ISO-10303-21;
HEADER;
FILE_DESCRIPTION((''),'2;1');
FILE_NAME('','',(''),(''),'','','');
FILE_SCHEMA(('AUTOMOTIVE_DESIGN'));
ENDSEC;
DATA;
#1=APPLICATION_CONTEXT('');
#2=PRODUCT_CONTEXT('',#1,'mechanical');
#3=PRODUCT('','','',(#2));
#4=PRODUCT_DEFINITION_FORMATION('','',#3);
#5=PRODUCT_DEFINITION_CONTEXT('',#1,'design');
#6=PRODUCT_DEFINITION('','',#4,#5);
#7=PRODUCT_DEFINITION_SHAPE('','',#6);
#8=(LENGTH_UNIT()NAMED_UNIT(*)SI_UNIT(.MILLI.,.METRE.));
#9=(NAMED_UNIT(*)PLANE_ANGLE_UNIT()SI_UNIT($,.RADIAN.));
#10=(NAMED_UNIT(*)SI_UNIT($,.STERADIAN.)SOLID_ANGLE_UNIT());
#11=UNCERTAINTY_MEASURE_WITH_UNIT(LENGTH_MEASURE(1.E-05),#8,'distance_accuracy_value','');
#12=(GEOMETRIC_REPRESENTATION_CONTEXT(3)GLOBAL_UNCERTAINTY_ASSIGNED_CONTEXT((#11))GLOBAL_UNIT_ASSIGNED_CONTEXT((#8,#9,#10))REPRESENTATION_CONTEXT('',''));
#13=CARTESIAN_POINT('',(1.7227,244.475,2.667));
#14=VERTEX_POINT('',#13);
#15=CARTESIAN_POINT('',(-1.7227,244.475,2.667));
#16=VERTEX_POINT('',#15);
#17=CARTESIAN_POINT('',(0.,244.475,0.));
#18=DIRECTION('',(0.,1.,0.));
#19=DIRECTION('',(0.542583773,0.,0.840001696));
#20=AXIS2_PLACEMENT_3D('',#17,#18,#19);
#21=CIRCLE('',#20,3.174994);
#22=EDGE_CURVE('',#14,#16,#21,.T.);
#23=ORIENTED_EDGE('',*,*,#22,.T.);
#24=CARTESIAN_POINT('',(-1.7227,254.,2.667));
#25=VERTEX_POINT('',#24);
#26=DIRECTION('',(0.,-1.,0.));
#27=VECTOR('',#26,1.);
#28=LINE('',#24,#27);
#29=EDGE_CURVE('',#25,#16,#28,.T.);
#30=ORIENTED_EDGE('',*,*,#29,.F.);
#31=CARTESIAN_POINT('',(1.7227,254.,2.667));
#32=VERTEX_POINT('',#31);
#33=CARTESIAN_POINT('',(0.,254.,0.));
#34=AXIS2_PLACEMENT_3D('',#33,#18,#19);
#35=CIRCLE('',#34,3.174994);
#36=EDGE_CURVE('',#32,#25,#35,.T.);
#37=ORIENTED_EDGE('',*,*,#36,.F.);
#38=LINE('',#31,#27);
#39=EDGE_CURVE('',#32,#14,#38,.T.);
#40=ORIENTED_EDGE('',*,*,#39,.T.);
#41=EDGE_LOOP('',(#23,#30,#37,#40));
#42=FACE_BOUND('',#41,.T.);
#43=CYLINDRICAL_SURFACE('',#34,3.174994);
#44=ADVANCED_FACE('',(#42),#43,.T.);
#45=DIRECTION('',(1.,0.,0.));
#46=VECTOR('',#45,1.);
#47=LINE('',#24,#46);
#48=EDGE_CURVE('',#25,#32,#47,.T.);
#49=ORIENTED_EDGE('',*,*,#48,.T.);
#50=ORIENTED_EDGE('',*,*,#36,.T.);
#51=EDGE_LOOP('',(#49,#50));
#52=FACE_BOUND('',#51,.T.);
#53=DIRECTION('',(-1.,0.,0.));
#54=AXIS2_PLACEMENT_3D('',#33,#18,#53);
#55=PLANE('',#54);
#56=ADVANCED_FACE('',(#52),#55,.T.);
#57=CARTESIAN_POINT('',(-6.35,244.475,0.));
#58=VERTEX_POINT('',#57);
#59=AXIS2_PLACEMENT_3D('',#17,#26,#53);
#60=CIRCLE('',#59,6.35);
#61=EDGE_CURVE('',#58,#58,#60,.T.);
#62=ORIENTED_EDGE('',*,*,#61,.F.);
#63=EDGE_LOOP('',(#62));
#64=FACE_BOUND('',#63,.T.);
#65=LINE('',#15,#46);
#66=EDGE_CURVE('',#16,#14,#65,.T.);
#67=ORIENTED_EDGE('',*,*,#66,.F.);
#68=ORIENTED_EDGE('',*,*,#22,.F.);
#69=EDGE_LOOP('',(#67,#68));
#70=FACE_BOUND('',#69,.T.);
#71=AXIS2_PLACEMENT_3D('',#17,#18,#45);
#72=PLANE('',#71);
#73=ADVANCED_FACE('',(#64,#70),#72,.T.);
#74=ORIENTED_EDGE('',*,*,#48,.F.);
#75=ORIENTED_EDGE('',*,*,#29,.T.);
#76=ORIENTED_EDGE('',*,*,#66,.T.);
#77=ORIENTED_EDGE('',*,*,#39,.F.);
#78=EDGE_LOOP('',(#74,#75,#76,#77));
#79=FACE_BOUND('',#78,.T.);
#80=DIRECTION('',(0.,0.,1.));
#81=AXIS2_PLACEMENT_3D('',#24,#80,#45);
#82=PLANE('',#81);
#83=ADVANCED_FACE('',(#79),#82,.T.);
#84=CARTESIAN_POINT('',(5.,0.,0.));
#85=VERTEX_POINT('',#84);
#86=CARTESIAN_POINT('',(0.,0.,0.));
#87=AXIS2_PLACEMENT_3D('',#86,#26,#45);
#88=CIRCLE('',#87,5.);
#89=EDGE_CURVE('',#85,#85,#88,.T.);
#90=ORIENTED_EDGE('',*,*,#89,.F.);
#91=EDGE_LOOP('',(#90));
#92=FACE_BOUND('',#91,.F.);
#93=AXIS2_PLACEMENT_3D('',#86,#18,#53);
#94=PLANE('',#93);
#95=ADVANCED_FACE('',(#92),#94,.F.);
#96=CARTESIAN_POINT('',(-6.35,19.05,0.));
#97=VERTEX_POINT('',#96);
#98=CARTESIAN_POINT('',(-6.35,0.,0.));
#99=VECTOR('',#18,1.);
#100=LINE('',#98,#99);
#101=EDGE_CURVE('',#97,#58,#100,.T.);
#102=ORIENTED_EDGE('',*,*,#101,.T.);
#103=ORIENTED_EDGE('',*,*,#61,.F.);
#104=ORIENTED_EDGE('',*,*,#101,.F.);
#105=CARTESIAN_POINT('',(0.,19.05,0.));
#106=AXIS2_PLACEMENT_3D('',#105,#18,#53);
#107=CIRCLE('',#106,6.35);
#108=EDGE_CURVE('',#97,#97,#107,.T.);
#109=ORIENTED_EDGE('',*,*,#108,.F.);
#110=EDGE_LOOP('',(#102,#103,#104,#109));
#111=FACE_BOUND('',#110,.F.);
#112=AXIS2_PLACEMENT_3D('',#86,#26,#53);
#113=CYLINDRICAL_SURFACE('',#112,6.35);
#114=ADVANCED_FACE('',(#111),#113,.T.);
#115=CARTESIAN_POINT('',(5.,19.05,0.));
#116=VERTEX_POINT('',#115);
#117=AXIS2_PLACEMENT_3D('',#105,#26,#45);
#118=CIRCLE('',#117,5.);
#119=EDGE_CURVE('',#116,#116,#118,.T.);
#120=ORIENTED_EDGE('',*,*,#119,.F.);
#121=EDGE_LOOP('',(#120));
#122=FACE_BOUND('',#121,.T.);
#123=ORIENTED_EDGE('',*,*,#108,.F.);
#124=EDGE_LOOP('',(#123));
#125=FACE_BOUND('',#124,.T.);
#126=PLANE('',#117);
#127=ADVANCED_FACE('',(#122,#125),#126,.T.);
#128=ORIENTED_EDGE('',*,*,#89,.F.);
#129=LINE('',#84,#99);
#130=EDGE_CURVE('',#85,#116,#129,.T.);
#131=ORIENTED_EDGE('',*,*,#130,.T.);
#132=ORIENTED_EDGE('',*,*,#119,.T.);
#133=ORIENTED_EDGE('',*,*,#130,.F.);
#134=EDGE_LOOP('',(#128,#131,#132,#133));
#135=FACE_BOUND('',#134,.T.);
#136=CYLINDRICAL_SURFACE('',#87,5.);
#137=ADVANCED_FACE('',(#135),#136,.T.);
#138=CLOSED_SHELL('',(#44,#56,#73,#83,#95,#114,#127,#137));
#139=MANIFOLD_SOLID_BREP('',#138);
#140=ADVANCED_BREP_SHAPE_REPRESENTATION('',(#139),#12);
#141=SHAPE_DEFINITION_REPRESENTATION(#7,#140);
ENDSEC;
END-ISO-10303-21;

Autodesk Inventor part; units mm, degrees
ref_plane "YZ Plane" through (0, 0, 0) normal (1, 0, 0) x (0, 1, 0)
ref_plane "XZ Plane" through (0, 0, 0) normal (0, 1, 0) x (-1, 0, 0)
ref_plane "XY Plane" through (0, 0, 0) normal (0, 0, 1) x (1, 0, 0)
sketch "Sketch1" plane through (0, 0, 0) normal (0, 1, 0) x (-1, 0, 0)
  circle A0 centre (0, 0) radius 6.35
  dimension "d0" = 12.7
extrude "Extrusion1" add sketch "Sketch1" along normal blind 254
thread "Thread1" size "1/2-10" class "2B" standard "Inch Tapping Threads" full length
sketch "Sketch2" plane through (0, 254, 0) normal (0, 1, 0) x (1, 0, 0)
  circle A0 centre (0, 0) radius 6.35 projected
  arc A1 (1.7227, -2.667) -> (-1.7227, -2.667) centre (0, 0) ccw
  line L0 (-1.7227, -2.667) -> (1.7227, -2.667)
  dimension "d5" = 6.35
  dimension "d6" = 2.667
extrude "Extrusion2" cut sketch "Sketch2" against normal blind 9.525
sketch "Sketch3" plane through (0, 0, 0) normal (0, -1, 0) x (1, 0, 0)
  circle A0 centre (0, 0) radius 6.35 projected
  circle A1 centre (0, 0) radius 5
  dimension "d9" = 10
extrude "Extrusion3" cut sketch "Sketch3" against normal blind 19.05
properties part number "acmeScrew"
